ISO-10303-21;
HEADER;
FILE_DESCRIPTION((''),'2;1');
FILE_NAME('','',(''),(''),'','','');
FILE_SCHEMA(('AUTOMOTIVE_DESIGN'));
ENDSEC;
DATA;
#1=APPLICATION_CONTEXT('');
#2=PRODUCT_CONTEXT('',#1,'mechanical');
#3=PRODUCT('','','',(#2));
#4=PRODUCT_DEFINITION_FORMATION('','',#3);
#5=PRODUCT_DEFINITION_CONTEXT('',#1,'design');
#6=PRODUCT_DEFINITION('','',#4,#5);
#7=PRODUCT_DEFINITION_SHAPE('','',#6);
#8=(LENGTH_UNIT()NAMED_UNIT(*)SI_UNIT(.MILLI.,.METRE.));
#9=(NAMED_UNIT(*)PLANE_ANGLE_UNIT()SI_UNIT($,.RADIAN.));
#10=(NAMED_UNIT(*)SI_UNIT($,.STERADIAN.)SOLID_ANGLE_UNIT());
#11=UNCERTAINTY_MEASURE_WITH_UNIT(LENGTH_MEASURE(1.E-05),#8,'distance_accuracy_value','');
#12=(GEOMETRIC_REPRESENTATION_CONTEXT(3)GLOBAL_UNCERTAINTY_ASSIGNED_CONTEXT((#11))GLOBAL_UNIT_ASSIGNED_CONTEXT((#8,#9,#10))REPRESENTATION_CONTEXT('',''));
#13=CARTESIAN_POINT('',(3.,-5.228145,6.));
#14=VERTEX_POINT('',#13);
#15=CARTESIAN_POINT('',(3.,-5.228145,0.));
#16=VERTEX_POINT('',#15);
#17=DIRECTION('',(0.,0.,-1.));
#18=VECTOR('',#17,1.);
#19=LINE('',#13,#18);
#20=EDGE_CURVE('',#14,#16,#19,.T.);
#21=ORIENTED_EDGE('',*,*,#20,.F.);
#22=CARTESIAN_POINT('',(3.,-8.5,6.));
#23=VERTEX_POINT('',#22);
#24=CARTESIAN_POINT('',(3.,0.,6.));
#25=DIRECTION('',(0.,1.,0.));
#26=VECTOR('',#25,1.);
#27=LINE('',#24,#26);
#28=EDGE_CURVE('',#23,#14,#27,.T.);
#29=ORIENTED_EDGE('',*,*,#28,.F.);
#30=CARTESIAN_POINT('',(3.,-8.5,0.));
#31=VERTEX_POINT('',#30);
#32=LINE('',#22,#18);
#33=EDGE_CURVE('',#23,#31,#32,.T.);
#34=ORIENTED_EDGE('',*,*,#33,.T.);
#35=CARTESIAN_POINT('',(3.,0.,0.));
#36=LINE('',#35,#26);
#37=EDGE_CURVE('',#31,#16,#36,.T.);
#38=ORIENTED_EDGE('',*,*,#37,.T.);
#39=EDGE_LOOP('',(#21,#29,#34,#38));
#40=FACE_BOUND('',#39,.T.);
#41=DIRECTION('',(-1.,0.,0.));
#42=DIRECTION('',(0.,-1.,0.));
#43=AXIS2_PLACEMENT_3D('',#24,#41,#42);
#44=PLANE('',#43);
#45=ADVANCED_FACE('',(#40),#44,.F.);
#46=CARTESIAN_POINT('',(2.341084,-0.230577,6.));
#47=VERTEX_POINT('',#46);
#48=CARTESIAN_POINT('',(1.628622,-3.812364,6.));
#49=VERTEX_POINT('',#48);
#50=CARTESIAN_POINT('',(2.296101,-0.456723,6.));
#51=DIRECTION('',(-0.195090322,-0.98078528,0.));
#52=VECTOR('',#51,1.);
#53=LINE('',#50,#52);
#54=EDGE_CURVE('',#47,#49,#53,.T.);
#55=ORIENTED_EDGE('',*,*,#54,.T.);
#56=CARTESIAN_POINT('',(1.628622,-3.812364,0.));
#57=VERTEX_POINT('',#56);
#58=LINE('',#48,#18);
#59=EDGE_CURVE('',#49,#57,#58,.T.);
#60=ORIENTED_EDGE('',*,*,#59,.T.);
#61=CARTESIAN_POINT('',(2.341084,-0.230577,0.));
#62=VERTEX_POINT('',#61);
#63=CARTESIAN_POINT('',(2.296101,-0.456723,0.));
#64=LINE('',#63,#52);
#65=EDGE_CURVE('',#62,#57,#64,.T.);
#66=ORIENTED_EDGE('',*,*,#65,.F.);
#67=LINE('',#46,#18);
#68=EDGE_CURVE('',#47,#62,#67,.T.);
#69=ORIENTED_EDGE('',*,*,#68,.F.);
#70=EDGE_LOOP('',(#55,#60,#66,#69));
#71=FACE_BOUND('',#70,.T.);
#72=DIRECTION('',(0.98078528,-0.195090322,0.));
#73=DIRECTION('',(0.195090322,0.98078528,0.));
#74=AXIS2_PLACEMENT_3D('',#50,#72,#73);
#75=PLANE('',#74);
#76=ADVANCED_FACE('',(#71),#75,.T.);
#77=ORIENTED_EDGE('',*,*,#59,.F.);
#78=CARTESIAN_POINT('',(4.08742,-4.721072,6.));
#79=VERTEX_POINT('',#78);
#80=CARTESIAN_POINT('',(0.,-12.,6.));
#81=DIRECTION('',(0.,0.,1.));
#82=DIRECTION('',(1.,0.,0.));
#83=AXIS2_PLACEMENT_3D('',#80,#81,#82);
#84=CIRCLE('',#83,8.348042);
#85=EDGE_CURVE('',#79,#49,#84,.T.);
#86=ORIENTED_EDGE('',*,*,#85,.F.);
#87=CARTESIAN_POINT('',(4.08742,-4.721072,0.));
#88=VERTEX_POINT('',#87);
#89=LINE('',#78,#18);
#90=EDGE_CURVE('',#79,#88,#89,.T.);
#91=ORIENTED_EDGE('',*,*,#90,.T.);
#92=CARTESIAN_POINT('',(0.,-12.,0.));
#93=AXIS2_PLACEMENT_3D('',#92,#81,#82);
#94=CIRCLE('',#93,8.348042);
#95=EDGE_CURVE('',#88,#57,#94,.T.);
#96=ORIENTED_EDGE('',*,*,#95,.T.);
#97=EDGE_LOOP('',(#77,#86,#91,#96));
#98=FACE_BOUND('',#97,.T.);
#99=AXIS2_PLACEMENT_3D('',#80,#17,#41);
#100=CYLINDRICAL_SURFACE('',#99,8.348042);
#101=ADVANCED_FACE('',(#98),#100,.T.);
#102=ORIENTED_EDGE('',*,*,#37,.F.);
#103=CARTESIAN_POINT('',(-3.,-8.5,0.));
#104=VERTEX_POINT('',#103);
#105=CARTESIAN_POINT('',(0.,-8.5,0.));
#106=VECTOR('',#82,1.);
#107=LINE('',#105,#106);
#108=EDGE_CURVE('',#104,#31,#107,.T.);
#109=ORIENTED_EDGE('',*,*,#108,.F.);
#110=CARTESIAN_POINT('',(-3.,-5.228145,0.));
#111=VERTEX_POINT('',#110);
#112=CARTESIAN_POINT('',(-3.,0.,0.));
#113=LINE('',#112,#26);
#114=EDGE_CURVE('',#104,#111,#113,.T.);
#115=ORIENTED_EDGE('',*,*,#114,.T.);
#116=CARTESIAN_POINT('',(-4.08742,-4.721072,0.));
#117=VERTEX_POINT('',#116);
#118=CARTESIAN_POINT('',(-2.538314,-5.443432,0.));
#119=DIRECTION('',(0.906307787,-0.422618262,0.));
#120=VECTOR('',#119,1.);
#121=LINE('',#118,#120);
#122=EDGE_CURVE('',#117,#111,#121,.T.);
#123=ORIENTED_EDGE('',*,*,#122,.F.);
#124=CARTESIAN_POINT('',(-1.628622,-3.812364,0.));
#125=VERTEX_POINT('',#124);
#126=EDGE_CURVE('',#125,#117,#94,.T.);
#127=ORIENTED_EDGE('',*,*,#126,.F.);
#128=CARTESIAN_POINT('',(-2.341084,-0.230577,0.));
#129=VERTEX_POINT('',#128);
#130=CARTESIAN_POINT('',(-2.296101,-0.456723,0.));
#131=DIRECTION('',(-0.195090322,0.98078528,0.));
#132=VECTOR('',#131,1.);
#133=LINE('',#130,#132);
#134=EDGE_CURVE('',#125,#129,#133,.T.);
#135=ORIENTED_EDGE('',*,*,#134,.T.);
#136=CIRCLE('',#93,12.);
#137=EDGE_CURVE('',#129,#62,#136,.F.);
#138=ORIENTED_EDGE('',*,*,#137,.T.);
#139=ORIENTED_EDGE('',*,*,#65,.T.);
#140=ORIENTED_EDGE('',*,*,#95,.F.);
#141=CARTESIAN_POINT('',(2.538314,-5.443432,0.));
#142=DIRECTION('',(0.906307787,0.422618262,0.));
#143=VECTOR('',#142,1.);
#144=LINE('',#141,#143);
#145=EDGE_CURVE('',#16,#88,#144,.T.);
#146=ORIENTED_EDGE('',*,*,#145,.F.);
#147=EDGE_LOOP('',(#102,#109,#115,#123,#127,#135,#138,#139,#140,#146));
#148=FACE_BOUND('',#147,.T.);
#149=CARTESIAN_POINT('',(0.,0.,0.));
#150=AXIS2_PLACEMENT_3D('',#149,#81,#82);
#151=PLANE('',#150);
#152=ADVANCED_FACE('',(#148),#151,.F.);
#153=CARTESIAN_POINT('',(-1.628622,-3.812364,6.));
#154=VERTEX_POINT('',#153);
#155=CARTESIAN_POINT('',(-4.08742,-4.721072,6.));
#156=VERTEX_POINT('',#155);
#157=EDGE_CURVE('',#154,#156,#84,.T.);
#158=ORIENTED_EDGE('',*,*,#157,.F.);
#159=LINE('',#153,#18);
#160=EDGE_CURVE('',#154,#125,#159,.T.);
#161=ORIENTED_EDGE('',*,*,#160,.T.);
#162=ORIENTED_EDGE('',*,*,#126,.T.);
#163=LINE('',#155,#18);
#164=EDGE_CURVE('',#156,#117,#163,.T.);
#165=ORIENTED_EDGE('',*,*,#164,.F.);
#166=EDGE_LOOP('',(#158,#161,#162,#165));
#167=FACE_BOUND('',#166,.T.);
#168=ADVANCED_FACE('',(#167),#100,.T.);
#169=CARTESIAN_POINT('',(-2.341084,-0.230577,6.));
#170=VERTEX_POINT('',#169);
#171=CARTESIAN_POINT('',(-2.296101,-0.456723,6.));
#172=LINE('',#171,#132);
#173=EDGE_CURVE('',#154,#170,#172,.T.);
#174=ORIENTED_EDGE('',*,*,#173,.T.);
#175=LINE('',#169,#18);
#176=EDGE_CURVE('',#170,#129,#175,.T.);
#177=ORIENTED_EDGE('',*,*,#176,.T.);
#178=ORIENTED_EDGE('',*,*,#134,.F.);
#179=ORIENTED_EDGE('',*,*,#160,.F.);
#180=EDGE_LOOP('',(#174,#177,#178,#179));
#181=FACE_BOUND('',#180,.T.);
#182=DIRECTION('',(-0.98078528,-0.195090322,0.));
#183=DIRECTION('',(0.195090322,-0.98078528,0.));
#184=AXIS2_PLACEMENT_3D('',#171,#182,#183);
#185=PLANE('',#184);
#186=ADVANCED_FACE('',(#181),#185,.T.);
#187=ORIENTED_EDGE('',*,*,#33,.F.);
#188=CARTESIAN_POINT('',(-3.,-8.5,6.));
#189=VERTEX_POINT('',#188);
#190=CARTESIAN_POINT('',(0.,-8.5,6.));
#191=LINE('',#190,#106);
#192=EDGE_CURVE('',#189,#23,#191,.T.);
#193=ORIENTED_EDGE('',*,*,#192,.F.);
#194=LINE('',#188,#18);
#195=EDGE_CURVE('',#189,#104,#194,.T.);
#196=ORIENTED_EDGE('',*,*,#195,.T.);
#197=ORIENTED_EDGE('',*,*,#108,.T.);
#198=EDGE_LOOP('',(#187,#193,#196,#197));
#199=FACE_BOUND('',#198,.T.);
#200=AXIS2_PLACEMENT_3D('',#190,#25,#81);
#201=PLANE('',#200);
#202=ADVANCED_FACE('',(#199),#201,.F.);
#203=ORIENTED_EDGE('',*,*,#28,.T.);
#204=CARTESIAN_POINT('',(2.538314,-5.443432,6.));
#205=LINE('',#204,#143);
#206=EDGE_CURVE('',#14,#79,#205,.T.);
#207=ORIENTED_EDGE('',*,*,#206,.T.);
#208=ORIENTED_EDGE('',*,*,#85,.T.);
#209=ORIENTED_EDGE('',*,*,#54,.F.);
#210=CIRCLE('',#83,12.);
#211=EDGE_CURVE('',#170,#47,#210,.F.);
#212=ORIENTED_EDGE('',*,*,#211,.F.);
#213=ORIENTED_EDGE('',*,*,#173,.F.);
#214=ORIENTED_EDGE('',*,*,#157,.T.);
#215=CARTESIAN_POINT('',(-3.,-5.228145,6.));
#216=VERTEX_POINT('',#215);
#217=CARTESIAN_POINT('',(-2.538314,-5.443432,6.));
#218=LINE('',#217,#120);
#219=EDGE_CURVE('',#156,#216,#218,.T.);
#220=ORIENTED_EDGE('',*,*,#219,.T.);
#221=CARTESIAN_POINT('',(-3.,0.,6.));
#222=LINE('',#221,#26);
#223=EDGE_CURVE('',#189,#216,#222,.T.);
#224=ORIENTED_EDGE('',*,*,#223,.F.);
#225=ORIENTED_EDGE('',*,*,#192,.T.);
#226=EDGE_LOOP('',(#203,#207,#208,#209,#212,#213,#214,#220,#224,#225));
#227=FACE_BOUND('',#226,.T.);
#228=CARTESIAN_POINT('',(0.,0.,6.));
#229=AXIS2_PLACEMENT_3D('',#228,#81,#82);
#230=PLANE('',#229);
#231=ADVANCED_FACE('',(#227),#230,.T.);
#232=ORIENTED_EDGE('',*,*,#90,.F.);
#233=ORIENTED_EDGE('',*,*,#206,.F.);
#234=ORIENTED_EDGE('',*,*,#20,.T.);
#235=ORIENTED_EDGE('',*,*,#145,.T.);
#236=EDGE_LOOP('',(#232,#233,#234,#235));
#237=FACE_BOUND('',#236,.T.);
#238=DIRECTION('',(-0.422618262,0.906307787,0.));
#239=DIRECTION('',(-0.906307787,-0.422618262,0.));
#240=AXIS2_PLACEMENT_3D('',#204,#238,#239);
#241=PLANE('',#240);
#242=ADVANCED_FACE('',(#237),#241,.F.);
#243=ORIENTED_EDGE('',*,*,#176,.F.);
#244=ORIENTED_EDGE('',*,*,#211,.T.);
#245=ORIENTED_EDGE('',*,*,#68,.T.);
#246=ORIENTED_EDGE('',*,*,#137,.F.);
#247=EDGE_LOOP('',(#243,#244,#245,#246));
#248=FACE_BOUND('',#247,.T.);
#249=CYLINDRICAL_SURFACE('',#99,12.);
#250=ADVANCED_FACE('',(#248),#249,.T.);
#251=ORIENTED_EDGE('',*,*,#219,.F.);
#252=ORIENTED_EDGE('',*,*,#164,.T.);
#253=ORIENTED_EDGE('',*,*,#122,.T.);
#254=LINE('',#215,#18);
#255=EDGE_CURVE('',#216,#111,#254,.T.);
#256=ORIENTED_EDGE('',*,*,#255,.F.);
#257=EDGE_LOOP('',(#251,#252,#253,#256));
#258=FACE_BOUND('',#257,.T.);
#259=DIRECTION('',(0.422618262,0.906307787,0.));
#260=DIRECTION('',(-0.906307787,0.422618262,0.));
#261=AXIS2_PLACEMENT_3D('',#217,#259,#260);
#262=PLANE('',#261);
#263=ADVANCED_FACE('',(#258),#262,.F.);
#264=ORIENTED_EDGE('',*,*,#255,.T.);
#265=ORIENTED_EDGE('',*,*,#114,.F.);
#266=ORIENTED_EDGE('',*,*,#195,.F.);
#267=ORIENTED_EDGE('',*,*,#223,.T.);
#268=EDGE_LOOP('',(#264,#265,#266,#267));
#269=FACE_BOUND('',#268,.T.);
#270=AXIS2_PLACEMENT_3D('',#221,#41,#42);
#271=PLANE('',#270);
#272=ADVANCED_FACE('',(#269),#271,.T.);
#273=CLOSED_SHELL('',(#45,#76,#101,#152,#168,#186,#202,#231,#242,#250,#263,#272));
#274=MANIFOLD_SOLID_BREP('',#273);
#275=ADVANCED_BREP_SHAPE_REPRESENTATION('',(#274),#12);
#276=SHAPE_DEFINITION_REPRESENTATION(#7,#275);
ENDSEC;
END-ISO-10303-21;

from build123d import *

# Parameters (mm, degrees)
RESSALTO_EXTRUS_O1_DEPTH = 6


with BuildPart() as part:
    # Esboço1 → Ressalto-extrusão1 (new body)
    with BuildSketch(Plane.XY):
        with BuildLine():
            Line((-3, -5.228144515), (-3, -8.5))
            Line((-3, -8.5), (3, -8.5))
            Line((3, -8.5), (3, -5.228144515))
            Line((3, -5.228144515), (4.087420479, -4.721072019))
            ThreePointArc((4.087420479, -4.721072019), (3.647489335, -4.490964091), (3.194657217, -4.28741522))
            ThreePointArc((3.194657217, -4.28741522), (2.423308565, -4.011422259), (1.628622126, -3.812363669))
            ThreePointArc((1.628622126, -3.812363669), (0, -3.65195839), (-1.628622126, -3.812363669))
            ThreePointArc((-1.628622126, -3.812363669), (-2.423308565, -4.011422259), (-3.194657217, -4.28741522))
            ThreePointArc((-3.194657217, -4.28741522), (-3.647489335, -4.490964091), (-4.087420479, -4.721072019))
            Line((-4.087420479, -4.721072019), (-3, -5.228144515))
        make_face()
        with BuildLine():
            Line((-2.341083864, -0.230576635), (-1.628622126, -3.812363669))
            ThreePointArc((-1.628622126, -3.812363669), (0, -3.65195839), (1.628622126, -3.812363669))
            Line((1.628622126, -3.812363669), (2.341083864, -0.230576635))
            ThreePointArc((2.341083864, -0.230576635), (1.176205684, -0.05778328), (0, 0))
            ThreePointArc((0, 0), (-1.176205684, -0.05778328), (-2.341083864, -0.230576635))
        make_face()
    extrude(amount=RESSALTO_EXTRUS_O1_DEPTH)


solid = part.part
